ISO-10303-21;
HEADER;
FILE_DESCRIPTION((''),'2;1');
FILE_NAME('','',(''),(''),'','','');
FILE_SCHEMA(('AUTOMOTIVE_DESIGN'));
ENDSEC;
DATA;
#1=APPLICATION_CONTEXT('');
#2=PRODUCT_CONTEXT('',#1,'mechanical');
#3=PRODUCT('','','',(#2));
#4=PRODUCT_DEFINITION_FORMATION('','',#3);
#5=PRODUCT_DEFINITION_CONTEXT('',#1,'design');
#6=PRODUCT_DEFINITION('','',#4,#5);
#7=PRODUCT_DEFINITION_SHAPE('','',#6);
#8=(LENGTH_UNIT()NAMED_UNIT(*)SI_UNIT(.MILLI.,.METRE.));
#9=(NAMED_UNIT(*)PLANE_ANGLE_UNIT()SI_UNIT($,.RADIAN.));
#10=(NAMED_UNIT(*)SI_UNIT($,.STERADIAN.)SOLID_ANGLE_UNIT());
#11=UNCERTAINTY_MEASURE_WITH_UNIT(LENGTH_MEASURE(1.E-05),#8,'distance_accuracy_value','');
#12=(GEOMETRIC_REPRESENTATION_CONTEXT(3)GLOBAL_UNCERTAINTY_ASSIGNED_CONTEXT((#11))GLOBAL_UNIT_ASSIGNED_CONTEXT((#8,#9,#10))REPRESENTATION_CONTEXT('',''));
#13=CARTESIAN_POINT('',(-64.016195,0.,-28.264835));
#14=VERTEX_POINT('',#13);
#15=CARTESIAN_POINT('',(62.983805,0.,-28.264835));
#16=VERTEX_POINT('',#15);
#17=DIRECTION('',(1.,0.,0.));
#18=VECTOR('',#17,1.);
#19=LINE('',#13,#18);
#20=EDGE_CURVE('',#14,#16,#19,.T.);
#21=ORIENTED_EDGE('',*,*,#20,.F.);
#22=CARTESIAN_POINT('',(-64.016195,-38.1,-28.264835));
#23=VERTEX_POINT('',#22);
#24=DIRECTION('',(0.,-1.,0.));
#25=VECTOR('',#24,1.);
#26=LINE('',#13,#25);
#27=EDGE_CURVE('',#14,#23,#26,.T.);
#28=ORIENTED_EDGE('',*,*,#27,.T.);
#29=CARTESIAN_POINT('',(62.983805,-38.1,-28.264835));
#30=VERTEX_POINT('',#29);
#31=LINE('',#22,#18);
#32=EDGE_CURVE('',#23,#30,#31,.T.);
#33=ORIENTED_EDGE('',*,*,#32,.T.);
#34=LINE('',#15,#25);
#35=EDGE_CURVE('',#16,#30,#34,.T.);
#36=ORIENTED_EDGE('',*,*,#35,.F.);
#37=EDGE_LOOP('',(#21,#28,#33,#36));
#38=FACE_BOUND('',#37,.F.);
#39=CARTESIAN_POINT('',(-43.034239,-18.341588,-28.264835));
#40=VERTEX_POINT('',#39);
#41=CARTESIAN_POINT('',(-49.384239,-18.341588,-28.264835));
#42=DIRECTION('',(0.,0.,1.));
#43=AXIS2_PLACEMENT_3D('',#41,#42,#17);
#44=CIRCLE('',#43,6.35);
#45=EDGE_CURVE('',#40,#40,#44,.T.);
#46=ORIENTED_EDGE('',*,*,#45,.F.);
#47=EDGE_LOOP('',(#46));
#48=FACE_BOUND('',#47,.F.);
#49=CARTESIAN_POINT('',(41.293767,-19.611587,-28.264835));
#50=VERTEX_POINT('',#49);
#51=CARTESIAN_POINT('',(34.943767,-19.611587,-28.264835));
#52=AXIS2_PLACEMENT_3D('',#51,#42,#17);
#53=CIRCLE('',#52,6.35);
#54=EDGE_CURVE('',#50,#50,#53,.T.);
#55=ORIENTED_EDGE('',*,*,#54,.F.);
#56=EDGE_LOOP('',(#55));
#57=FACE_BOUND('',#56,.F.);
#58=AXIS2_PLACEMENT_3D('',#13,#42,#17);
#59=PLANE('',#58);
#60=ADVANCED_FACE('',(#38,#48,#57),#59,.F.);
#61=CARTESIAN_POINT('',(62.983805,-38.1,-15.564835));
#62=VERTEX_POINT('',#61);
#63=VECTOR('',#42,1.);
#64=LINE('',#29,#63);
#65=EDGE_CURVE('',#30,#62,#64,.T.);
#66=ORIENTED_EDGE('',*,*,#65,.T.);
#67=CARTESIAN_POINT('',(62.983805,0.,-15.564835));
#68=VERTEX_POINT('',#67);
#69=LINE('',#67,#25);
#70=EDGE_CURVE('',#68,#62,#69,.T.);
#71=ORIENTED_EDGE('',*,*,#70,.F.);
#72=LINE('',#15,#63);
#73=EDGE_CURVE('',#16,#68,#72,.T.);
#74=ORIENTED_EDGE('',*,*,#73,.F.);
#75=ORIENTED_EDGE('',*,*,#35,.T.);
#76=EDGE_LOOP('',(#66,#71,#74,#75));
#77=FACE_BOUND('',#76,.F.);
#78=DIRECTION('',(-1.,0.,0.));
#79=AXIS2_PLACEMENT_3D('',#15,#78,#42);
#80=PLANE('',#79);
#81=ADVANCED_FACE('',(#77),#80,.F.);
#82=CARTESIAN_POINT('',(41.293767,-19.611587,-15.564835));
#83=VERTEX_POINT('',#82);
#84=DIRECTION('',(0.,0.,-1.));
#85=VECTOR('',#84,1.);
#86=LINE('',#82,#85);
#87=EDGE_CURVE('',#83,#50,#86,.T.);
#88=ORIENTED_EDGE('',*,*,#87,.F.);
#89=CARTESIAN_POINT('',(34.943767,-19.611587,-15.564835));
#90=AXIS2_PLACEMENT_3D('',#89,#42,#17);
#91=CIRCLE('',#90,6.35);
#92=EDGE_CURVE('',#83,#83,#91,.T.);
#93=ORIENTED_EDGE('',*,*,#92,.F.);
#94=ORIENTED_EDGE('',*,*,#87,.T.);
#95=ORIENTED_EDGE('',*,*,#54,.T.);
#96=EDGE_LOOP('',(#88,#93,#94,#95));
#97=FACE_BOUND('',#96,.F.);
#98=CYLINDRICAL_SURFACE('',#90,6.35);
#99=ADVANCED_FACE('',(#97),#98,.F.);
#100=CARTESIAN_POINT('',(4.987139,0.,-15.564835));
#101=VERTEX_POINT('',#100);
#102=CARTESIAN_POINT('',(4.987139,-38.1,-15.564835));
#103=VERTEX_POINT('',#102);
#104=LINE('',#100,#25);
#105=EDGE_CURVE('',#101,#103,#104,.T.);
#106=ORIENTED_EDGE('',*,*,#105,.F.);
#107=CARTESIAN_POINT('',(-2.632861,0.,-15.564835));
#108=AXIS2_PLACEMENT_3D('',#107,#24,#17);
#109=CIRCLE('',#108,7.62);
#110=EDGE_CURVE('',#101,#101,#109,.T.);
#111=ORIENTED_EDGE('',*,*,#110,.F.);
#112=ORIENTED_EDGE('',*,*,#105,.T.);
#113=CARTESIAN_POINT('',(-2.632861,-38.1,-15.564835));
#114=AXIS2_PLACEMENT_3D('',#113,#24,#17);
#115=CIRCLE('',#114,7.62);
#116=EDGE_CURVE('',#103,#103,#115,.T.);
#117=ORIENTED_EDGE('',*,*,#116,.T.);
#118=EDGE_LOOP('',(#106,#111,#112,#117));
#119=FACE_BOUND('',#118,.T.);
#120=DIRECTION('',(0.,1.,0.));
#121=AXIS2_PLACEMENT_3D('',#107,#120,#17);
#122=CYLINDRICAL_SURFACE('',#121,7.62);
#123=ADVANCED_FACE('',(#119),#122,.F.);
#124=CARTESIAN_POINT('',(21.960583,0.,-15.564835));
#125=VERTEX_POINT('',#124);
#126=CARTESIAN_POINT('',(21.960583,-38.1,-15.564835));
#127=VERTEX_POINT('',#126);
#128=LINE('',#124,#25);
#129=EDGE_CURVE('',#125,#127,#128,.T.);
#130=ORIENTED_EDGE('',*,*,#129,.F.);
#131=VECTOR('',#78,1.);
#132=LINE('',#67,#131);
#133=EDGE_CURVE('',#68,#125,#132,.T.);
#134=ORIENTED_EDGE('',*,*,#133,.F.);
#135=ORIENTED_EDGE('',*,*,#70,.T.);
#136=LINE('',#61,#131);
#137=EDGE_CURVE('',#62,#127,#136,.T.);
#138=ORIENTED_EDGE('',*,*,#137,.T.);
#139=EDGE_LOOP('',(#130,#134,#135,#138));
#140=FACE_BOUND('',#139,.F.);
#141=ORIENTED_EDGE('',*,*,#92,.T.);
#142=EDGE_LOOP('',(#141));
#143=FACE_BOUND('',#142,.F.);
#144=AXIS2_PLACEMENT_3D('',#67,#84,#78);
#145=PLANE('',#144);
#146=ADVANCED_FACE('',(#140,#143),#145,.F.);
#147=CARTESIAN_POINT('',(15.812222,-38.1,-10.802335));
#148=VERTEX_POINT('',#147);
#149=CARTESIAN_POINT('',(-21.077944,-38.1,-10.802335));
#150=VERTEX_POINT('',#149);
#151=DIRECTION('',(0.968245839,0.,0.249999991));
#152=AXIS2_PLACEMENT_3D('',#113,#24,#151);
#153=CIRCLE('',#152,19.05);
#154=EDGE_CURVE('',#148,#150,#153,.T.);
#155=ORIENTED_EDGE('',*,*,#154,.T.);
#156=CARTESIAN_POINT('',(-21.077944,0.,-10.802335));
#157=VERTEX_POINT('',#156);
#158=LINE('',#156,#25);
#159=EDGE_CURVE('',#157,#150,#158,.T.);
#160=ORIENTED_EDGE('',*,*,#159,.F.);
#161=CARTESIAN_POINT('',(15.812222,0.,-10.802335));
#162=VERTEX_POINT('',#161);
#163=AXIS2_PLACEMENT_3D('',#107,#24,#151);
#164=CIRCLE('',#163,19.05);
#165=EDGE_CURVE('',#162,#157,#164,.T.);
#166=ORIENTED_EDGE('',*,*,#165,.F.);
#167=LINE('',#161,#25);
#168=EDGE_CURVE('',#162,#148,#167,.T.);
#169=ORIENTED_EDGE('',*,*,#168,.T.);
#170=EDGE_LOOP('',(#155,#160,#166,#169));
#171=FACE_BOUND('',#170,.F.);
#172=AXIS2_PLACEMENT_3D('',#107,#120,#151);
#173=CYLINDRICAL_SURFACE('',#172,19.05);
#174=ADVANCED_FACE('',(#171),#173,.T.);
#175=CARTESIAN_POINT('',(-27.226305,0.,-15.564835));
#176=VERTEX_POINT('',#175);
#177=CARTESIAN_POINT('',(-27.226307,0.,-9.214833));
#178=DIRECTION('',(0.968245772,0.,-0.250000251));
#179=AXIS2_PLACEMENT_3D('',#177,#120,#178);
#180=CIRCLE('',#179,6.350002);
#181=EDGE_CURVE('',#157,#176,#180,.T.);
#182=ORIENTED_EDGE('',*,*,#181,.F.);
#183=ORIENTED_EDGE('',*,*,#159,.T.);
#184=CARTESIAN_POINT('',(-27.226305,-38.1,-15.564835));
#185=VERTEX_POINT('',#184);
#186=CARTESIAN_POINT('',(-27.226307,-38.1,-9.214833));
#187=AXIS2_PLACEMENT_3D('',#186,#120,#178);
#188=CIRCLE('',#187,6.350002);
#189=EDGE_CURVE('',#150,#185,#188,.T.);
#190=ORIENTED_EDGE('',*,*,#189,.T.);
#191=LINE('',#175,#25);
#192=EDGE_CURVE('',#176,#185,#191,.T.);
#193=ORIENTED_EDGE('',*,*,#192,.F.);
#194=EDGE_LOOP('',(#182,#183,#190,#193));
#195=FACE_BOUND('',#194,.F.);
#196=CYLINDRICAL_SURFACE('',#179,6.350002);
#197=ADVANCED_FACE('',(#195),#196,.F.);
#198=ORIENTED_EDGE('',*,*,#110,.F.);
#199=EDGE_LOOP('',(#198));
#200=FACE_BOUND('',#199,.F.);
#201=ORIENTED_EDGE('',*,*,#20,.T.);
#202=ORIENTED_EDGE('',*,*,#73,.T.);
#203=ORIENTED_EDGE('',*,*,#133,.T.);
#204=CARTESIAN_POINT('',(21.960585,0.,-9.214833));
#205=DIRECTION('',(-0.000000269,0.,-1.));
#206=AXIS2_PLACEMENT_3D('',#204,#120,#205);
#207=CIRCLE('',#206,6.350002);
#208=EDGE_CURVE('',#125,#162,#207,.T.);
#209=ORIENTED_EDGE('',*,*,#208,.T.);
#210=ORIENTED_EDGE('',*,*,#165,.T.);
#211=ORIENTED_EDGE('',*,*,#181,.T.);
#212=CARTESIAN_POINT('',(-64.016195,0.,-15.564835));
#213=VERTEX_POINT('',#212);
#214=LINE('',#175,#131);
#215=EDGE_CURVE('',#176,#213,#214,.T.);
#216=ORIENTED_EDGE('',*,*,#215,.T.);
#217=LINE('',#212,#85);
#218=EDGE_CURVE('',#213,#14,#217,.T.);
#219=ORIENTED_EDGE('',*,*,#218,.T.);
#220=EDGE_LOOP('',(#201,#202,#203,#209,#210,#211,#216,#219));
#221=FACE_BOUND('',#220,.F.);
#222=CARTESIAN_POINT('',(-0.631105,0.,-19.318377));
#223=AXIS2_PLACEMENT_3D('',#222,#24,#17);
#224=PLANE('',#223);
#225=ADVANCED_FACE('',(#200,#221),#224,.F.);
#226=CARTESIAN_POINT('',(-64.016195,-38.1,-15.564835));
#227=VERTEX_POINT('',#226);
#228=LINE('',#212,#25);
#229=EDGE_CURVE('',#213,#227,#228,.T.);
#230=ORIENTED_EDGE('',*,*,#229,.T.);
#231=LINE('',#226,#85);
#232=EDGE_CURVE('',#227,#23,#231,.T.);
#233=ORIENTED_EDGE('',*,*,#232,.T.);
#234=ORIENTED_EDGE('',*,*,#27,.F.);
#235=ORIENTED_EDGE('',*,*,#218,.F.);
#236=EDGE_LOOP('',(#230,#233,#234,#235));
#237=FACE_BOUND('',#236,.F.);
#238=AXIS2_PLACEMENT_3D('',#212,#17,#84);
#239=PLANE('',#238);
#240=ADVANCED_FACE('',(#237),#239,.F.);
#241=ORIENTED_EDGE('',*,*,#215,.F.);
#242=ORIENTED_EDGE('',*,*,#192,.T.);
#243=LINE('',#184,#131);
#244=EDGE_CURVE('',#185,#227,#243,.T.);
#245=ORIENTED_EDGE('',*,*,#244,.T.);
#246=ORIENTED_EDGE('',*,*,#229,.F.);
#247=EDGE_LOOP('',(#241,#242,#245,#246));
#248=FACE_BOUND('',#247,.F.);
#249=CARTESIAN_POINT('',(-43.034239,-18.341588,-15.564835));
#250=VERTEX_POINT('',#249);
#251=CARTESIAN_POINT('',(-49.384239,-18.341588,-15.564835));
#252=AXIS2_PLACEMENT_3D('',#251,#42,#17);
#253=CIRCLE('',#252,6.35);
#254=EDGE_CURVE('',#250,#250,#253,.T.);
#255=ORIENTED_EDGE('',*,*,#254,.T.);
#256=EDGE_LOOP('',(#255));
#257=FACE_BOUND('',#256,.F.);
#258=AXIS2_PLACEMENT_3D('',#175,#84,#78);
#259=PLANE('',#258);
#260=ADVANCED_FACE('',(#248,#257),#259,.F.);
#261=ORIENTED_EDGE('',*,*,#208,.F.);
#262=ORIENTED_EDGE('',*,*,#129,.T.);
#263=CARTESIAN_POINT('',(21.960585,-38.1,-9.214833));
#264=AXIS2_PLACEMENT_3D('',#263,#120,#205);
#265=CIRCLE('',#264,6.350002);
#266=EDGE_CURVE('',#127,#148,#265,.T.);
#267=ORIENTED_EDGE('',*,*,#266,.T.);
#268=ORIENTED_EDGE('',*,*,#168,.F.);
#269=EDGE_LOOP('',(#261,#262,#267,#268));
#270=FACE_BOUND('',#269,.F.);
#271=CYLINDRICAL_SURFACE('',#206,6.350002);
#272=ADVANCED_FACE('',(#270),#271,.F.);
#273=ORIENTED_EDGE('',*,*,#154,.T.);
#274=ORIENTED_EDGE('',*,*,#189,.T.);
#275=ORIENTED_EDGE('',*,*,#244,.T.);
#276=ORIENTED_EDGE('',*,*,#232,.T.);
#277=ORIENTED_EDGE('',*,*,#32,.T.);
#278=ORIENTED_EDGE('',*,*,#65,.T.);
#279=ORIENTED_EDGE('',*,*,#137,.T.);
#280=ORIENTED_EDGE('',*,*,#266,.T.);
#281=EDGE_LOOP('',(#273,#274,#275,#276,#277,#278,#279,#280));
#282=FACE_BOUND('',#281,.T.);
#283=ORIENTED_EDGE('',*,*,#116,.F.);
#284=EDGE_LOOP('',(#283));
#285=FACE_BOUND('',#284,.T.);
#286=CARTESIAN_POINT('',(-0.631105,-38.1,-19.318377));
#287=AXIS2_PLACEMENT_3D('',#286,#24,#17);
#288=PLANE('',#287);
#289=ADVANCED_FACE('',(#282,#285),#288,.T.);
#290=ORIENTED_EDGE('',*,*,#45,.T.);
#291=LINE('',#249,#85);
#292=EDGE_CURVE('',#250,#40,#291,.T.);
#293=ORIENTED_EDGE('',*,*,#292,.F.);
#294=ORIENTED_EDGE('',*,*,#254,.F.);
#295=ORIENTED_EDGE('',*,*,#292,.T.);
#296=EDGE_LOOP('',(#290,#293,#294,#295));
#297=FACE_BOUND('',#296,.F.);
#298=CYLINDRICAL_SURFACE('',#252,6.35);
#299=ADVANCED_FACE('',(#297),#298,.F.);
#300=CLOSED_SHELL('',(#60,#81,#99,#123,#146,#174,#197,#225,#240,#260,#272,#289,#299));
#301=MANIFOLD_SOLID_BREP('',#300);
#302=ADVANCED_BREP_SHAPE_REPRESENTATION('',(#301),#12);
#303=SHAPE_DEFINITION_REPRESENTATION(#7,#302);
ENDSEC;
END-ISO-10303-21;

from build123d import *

# Parameters (mm, degrees)
F0_R     = 7.62
F1_DEPTH = 38.1
F2_R     = 6.35
F3_DEPTH = 25.4


with BuildPart() as f1:
    # F0 (on Front) → F1 (new body)
    with BuildSketch(Plane.XZ):
        with BuildLine():
            Line((-64.016195, -28.264835), (62.983805, -28.264835))
            Line((62.983805, -28.264835), (62.983805, -15.564835))
            Line((62.983805, -15.564835), (21.960583, -15.564835))
            ThreePointArc((21.960583, -15.564835), (18.072018, -14.23495), (15.812222, -10.802335))
            ThreePointArc((15.812222, -10.802335), (-2.632861, 3.485165), (-21.077944, -10.802335))
            ThreePointArc((-21.077944, -10.802335), (-23.33774, -14.23495), (-27.226305, -15.564835))
            Line((-27.226305, -15.564835), (-64.016195, -15.564835))
            Line((-64.016195, -15.564835), (-64.016195, -28.264835))
        make_face()
        with Locations((-2.632861, -15.564835)):
            Circle(F0_R, mode=Mode.SUBTRACT)
    extrude(amount=F1_DEPTH)

    # F2 (on face) → F3 (cut)
    with BuildSketch(Plane.XY.offset(-15.564835)):
        with Locations((-49.384239, -18.341588)):
            Circle(F2_R)
        with Locations((34.943767, -19.611587)):
            Circle(F2_R)
    extrude(amount=-F3_DEPTH, mode=Mode.SUBTRACT)


solid = f1.part
